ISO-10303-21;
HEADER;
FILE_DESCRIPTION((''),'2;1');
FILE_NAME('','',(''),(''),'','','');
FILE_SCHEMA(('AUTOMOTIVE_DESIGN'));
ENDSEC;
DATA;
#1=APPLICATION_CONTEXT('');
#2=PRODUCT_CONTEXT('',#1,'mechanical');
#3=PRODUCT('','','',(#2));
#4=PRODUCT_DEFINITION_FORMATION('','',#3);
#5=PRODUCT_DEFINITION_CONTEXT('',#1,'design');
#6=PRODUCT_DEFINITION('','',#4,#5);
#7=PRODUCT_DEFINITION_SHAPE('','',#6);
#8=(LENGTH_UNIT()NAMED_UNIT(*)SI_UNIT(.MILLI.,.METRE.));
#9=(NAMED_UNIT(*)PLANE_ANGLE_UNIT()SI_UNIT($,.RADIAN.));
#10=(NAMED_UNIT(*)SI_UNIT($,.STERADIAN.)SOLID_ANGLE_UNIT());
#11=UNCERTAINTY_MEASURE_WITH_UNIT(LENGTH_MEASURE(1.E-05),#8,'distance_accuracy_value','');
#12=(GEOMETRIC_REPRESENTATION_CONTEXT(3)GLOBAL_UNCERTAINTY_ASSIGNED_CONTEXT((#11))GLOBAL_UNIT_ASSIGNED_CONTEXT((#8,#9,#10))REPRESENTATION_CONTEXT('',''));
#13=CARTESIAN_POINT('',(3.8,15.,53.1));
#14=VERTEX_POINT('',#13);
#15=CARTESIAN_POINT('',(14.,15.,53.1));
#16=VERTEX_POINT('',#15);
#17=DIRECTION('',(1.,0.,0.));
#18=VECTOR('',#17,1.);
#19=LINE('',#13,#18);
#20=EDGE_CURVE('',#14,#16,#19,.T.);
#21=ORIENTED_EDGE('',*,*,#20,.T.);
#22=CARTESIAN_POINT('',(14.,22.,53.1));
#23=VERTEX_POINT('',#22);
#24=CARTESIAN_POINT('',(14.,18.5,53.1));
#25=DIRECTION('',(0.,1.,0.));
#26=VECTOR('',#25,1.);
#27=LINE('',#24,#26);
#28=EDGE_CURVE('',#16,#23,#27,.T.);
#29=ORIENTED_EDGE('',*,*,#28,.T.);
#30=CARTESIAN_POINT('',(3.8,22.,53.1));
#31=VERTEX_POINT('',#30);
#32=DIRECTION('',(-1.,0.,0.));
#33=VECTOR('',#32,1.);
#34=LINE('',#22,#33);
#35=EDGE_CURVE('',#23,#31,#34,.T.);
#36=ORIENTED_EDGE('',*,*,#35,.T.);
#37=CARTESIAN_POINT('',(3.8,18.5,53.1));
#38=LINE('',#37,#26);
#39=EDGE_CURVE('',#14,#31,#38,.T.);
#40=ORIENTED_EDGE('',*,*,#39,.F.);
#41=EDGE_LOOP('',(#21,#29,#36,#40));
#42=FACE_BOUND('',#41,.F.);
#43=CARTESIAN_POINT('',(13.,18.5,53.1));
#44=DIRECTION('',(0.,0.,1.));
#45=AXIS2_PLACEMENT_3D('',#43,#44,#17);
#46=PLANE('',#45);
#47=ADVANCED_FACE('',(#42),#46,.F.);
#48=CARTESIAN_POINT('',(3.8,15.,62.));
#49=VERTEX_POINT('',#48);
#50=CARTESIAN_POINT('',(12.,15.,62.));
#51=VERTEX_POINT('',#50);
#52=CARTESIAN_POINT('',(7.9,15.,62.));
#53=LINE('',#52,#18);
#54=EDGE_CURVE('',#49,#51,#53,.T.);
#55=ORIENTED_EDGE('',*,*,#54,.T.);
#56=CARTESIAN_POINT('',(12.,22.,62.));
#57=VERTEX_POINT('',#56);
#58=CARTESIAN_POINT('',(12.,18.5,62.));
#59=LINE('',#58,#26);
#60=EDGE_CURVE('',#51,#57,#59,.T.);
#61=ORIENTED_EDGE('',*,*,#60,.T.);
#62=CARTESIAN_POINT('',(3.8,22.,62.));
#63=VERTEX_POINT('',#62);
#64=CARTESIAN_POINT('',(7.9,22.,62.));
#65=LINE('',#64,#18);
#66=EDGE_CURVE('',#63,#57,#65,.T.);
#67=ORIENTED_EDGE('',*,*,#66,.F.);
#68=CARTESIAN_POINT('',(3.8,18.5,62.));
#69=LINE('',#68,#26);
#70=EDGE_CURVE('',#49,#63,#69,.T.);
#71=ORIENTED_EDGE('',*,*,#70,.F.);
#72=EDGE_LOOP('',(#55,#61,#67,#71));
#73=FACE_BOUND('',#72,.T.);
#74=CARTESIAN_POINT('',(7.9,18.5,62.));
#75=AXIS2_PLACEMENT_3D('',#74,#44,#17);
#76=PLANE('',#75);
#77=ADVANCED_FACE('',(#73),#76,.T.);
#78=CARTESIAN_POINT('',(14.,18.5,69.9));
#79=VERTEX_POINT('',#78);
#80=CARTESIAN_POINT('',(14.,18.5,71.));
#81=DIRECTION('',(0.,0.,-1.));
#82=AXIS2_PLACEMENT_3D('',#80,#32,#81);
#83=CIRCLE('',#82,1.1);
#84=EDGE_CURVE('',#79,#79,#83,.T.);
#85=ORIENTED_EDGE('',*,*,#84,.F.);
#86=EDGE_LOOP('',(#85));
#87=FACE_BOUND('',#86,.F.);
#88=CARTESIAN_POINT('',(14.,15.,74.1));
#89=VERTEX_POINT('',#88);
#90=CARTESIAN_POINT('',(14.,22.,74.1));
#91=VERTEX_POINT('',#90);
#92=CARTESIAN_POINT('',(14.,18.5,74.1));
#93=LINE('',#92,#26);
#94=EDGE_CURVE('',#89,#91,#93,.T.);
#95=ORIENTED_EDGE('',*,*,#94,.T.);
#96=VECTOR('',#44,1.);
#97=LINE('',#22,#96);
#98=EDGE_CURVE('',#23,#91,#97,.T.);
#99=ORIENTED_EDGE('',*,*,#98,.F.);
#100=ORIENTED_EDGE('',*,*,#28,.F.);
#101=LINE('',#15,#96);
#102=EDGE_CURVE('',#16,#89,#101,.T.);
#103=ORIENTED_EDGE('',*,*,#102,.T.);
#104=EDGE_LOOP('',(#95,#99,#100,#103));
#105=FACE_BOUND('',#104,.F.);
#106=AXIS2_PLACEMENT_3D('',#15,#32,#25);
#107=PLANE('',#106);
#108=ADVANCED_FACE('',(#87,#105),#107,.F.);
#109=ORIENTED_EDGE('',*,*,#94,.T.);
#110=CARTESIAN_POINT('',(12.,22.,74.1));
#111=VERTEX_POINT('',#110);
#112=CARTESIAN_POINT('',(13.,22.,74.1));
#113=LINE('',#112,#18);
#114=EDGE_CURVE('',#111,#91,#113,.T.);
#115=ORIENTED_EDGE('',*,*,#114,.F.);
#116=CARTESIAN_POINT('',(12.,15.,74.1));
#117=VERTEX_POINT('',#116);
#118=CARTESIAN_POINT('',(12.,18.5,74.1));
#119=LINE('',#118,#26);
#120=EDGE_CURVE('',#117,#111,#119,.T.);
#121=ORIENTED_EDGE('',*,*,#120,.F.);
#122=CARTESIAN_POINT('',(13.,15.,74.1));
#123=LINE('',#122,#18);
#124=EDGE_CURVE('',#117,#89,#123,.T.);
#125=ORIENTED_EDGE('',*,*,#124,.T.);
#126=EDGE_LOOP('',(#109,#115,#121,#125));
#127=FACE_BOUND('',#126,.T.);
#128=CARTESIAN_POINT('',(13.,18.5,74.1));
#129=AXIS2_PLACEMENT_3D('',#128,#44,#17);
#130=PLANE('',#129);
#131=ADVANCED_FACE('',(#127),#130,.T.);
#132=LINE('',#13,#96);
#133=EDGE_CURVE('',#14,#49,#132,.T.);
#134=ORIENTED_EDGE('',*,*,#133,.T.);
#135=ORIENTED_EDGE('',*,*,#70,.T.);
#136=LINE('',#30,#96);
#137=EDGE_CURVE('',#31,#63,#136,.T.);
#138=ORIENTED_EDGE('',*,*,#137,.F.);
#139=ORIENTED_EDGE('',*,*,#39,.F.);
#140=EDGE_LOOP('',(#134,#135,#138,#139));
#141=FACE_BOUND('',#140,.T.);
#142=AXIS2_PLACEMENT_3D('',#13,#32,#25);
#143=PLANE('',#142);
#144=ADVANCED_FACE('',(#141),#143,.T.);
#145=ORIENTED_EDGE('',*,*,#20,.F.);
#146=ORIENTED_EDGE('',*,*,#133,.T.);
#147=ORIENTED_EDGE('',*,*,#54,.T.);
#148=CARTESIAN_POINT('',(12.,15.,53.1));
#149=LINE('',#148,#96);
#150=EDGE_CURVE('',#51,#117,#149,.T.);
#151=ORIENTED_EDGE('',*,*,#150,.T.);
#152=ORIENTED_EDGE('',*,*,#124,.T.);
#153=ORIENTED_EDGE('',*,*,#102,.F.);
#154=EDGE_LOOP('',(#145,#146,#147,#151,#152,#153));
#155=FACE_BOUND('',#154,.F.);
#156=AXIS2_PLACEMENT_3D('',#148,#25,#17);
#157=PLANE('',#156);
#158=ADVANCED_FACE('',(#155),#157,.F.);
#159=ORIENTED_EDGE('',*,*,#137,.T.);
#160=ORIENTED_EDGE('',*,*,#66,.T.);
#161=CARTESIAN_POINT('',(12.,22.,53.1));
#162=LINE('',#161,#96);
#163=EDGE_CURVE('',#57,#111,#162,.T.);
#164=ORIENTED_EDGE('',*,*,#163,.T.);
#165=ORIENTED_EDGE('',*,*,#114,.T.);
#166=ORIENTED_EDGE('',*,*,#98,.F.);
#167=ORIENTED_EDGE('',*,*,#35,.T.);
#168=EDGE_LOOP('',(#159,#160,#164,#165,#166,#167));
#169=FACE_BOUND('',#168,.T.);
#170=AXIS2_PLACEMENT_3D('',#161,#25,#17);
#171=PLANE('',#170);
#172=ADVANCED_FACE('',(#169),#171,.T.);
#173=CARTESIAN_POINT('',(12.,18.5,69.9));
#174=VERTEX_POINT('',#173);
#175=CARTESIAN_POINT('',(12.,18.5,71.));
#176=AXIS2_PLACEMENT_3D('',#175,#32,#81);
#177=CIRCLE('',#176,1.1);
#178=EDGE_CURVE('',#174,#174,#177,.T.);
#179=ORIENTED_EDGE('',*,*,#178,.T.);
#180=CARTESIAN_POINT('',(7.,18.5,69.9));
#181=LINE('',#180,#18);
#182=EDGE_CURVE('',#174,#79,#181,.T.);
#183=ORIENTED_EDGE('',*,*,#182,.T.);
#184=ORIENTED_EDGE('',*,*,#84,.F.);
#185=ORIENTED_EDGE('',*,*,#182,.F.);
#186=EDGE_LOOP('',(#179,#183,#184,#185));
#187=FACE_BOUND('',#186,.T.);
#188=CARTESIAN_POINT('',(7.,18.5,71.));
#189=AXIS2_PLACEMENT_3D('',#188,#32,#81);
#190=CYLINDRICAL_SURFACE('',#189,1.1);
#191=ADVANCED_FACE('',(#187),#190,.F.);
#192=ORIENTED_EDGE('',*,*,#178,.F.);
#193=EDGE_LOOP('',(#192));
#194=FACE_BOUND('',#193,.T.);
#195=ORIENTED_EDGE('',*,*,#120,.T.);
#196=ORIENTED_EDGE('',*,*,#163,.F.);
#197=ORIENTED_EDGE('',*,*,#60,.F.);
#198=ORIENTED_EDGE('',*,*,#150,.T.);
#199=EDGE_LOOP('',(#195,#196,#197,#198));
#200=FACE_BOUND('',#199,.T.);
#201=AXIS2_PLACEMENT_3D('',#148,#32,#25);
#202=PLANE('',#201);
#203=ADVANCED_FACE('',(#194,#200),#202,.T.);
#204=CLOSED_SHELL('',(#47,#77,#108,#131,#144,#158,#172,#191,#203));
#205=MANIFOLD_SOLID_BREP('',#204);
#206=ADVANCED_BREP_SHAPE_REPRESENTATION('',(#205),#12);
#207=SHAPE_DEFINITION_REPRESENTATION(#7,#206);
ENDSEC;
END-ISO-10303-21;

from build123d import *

# Parameters (mm, degrees)
CYLINDER104_R     = 1.1
CYLINDER104_DEPTH = 21
BOX102_W          = 2
BOX102_H          = 7
BOX102_DEPTH      = 21
BOX100_W          = 8.2
BOX100_H          = 7
BOX100_DEPTH      = 8.9


with BuildPart() as cylinder104:
    # Cylinder104 → Cylinder104 (new body)
    with BuildSketch(Plane(origin=(7, 18.5, 71), x_dir=(0, 0, -1), z_dir=(1, 0, 0))):
        Circle(CYLINDER104_R)
    extrude(amount=CYLINDER104_DEPTH)


with BuildPart() as cut068:
    # Box102 → Box102 (new body)
    with BuildSketch(Plane(origin=(12, 15, 53.1), x_dir=(1, 0, 0), z_dir=(0, 0, 1))):
        with Locations((1, 3.5)):
            Rectangle(BOX102_W, BOX102_H)
    extrude(amount=BOX102_DEPTH)

    # Cut068: cut Cylinder104
    add(cylinder104.part, mode=Mode.SUBTRACT)


with BuildPart() as cap:
    # Box100 → Box100 (new body)
    with BuildSketch(Plane(origin=(3.8, 15, 53.1), x_dir=(1, 0, 0), z_dir=(0, 0, 1))):
        with Locations((4.1, 3.5)):
            Rectangle(BOX100_W, BOX100_H)
    extrude(amount=BOX100_DEPTH)

    # Fusion088: union Cut068
    add(cut068.part)


solid = cap.part
